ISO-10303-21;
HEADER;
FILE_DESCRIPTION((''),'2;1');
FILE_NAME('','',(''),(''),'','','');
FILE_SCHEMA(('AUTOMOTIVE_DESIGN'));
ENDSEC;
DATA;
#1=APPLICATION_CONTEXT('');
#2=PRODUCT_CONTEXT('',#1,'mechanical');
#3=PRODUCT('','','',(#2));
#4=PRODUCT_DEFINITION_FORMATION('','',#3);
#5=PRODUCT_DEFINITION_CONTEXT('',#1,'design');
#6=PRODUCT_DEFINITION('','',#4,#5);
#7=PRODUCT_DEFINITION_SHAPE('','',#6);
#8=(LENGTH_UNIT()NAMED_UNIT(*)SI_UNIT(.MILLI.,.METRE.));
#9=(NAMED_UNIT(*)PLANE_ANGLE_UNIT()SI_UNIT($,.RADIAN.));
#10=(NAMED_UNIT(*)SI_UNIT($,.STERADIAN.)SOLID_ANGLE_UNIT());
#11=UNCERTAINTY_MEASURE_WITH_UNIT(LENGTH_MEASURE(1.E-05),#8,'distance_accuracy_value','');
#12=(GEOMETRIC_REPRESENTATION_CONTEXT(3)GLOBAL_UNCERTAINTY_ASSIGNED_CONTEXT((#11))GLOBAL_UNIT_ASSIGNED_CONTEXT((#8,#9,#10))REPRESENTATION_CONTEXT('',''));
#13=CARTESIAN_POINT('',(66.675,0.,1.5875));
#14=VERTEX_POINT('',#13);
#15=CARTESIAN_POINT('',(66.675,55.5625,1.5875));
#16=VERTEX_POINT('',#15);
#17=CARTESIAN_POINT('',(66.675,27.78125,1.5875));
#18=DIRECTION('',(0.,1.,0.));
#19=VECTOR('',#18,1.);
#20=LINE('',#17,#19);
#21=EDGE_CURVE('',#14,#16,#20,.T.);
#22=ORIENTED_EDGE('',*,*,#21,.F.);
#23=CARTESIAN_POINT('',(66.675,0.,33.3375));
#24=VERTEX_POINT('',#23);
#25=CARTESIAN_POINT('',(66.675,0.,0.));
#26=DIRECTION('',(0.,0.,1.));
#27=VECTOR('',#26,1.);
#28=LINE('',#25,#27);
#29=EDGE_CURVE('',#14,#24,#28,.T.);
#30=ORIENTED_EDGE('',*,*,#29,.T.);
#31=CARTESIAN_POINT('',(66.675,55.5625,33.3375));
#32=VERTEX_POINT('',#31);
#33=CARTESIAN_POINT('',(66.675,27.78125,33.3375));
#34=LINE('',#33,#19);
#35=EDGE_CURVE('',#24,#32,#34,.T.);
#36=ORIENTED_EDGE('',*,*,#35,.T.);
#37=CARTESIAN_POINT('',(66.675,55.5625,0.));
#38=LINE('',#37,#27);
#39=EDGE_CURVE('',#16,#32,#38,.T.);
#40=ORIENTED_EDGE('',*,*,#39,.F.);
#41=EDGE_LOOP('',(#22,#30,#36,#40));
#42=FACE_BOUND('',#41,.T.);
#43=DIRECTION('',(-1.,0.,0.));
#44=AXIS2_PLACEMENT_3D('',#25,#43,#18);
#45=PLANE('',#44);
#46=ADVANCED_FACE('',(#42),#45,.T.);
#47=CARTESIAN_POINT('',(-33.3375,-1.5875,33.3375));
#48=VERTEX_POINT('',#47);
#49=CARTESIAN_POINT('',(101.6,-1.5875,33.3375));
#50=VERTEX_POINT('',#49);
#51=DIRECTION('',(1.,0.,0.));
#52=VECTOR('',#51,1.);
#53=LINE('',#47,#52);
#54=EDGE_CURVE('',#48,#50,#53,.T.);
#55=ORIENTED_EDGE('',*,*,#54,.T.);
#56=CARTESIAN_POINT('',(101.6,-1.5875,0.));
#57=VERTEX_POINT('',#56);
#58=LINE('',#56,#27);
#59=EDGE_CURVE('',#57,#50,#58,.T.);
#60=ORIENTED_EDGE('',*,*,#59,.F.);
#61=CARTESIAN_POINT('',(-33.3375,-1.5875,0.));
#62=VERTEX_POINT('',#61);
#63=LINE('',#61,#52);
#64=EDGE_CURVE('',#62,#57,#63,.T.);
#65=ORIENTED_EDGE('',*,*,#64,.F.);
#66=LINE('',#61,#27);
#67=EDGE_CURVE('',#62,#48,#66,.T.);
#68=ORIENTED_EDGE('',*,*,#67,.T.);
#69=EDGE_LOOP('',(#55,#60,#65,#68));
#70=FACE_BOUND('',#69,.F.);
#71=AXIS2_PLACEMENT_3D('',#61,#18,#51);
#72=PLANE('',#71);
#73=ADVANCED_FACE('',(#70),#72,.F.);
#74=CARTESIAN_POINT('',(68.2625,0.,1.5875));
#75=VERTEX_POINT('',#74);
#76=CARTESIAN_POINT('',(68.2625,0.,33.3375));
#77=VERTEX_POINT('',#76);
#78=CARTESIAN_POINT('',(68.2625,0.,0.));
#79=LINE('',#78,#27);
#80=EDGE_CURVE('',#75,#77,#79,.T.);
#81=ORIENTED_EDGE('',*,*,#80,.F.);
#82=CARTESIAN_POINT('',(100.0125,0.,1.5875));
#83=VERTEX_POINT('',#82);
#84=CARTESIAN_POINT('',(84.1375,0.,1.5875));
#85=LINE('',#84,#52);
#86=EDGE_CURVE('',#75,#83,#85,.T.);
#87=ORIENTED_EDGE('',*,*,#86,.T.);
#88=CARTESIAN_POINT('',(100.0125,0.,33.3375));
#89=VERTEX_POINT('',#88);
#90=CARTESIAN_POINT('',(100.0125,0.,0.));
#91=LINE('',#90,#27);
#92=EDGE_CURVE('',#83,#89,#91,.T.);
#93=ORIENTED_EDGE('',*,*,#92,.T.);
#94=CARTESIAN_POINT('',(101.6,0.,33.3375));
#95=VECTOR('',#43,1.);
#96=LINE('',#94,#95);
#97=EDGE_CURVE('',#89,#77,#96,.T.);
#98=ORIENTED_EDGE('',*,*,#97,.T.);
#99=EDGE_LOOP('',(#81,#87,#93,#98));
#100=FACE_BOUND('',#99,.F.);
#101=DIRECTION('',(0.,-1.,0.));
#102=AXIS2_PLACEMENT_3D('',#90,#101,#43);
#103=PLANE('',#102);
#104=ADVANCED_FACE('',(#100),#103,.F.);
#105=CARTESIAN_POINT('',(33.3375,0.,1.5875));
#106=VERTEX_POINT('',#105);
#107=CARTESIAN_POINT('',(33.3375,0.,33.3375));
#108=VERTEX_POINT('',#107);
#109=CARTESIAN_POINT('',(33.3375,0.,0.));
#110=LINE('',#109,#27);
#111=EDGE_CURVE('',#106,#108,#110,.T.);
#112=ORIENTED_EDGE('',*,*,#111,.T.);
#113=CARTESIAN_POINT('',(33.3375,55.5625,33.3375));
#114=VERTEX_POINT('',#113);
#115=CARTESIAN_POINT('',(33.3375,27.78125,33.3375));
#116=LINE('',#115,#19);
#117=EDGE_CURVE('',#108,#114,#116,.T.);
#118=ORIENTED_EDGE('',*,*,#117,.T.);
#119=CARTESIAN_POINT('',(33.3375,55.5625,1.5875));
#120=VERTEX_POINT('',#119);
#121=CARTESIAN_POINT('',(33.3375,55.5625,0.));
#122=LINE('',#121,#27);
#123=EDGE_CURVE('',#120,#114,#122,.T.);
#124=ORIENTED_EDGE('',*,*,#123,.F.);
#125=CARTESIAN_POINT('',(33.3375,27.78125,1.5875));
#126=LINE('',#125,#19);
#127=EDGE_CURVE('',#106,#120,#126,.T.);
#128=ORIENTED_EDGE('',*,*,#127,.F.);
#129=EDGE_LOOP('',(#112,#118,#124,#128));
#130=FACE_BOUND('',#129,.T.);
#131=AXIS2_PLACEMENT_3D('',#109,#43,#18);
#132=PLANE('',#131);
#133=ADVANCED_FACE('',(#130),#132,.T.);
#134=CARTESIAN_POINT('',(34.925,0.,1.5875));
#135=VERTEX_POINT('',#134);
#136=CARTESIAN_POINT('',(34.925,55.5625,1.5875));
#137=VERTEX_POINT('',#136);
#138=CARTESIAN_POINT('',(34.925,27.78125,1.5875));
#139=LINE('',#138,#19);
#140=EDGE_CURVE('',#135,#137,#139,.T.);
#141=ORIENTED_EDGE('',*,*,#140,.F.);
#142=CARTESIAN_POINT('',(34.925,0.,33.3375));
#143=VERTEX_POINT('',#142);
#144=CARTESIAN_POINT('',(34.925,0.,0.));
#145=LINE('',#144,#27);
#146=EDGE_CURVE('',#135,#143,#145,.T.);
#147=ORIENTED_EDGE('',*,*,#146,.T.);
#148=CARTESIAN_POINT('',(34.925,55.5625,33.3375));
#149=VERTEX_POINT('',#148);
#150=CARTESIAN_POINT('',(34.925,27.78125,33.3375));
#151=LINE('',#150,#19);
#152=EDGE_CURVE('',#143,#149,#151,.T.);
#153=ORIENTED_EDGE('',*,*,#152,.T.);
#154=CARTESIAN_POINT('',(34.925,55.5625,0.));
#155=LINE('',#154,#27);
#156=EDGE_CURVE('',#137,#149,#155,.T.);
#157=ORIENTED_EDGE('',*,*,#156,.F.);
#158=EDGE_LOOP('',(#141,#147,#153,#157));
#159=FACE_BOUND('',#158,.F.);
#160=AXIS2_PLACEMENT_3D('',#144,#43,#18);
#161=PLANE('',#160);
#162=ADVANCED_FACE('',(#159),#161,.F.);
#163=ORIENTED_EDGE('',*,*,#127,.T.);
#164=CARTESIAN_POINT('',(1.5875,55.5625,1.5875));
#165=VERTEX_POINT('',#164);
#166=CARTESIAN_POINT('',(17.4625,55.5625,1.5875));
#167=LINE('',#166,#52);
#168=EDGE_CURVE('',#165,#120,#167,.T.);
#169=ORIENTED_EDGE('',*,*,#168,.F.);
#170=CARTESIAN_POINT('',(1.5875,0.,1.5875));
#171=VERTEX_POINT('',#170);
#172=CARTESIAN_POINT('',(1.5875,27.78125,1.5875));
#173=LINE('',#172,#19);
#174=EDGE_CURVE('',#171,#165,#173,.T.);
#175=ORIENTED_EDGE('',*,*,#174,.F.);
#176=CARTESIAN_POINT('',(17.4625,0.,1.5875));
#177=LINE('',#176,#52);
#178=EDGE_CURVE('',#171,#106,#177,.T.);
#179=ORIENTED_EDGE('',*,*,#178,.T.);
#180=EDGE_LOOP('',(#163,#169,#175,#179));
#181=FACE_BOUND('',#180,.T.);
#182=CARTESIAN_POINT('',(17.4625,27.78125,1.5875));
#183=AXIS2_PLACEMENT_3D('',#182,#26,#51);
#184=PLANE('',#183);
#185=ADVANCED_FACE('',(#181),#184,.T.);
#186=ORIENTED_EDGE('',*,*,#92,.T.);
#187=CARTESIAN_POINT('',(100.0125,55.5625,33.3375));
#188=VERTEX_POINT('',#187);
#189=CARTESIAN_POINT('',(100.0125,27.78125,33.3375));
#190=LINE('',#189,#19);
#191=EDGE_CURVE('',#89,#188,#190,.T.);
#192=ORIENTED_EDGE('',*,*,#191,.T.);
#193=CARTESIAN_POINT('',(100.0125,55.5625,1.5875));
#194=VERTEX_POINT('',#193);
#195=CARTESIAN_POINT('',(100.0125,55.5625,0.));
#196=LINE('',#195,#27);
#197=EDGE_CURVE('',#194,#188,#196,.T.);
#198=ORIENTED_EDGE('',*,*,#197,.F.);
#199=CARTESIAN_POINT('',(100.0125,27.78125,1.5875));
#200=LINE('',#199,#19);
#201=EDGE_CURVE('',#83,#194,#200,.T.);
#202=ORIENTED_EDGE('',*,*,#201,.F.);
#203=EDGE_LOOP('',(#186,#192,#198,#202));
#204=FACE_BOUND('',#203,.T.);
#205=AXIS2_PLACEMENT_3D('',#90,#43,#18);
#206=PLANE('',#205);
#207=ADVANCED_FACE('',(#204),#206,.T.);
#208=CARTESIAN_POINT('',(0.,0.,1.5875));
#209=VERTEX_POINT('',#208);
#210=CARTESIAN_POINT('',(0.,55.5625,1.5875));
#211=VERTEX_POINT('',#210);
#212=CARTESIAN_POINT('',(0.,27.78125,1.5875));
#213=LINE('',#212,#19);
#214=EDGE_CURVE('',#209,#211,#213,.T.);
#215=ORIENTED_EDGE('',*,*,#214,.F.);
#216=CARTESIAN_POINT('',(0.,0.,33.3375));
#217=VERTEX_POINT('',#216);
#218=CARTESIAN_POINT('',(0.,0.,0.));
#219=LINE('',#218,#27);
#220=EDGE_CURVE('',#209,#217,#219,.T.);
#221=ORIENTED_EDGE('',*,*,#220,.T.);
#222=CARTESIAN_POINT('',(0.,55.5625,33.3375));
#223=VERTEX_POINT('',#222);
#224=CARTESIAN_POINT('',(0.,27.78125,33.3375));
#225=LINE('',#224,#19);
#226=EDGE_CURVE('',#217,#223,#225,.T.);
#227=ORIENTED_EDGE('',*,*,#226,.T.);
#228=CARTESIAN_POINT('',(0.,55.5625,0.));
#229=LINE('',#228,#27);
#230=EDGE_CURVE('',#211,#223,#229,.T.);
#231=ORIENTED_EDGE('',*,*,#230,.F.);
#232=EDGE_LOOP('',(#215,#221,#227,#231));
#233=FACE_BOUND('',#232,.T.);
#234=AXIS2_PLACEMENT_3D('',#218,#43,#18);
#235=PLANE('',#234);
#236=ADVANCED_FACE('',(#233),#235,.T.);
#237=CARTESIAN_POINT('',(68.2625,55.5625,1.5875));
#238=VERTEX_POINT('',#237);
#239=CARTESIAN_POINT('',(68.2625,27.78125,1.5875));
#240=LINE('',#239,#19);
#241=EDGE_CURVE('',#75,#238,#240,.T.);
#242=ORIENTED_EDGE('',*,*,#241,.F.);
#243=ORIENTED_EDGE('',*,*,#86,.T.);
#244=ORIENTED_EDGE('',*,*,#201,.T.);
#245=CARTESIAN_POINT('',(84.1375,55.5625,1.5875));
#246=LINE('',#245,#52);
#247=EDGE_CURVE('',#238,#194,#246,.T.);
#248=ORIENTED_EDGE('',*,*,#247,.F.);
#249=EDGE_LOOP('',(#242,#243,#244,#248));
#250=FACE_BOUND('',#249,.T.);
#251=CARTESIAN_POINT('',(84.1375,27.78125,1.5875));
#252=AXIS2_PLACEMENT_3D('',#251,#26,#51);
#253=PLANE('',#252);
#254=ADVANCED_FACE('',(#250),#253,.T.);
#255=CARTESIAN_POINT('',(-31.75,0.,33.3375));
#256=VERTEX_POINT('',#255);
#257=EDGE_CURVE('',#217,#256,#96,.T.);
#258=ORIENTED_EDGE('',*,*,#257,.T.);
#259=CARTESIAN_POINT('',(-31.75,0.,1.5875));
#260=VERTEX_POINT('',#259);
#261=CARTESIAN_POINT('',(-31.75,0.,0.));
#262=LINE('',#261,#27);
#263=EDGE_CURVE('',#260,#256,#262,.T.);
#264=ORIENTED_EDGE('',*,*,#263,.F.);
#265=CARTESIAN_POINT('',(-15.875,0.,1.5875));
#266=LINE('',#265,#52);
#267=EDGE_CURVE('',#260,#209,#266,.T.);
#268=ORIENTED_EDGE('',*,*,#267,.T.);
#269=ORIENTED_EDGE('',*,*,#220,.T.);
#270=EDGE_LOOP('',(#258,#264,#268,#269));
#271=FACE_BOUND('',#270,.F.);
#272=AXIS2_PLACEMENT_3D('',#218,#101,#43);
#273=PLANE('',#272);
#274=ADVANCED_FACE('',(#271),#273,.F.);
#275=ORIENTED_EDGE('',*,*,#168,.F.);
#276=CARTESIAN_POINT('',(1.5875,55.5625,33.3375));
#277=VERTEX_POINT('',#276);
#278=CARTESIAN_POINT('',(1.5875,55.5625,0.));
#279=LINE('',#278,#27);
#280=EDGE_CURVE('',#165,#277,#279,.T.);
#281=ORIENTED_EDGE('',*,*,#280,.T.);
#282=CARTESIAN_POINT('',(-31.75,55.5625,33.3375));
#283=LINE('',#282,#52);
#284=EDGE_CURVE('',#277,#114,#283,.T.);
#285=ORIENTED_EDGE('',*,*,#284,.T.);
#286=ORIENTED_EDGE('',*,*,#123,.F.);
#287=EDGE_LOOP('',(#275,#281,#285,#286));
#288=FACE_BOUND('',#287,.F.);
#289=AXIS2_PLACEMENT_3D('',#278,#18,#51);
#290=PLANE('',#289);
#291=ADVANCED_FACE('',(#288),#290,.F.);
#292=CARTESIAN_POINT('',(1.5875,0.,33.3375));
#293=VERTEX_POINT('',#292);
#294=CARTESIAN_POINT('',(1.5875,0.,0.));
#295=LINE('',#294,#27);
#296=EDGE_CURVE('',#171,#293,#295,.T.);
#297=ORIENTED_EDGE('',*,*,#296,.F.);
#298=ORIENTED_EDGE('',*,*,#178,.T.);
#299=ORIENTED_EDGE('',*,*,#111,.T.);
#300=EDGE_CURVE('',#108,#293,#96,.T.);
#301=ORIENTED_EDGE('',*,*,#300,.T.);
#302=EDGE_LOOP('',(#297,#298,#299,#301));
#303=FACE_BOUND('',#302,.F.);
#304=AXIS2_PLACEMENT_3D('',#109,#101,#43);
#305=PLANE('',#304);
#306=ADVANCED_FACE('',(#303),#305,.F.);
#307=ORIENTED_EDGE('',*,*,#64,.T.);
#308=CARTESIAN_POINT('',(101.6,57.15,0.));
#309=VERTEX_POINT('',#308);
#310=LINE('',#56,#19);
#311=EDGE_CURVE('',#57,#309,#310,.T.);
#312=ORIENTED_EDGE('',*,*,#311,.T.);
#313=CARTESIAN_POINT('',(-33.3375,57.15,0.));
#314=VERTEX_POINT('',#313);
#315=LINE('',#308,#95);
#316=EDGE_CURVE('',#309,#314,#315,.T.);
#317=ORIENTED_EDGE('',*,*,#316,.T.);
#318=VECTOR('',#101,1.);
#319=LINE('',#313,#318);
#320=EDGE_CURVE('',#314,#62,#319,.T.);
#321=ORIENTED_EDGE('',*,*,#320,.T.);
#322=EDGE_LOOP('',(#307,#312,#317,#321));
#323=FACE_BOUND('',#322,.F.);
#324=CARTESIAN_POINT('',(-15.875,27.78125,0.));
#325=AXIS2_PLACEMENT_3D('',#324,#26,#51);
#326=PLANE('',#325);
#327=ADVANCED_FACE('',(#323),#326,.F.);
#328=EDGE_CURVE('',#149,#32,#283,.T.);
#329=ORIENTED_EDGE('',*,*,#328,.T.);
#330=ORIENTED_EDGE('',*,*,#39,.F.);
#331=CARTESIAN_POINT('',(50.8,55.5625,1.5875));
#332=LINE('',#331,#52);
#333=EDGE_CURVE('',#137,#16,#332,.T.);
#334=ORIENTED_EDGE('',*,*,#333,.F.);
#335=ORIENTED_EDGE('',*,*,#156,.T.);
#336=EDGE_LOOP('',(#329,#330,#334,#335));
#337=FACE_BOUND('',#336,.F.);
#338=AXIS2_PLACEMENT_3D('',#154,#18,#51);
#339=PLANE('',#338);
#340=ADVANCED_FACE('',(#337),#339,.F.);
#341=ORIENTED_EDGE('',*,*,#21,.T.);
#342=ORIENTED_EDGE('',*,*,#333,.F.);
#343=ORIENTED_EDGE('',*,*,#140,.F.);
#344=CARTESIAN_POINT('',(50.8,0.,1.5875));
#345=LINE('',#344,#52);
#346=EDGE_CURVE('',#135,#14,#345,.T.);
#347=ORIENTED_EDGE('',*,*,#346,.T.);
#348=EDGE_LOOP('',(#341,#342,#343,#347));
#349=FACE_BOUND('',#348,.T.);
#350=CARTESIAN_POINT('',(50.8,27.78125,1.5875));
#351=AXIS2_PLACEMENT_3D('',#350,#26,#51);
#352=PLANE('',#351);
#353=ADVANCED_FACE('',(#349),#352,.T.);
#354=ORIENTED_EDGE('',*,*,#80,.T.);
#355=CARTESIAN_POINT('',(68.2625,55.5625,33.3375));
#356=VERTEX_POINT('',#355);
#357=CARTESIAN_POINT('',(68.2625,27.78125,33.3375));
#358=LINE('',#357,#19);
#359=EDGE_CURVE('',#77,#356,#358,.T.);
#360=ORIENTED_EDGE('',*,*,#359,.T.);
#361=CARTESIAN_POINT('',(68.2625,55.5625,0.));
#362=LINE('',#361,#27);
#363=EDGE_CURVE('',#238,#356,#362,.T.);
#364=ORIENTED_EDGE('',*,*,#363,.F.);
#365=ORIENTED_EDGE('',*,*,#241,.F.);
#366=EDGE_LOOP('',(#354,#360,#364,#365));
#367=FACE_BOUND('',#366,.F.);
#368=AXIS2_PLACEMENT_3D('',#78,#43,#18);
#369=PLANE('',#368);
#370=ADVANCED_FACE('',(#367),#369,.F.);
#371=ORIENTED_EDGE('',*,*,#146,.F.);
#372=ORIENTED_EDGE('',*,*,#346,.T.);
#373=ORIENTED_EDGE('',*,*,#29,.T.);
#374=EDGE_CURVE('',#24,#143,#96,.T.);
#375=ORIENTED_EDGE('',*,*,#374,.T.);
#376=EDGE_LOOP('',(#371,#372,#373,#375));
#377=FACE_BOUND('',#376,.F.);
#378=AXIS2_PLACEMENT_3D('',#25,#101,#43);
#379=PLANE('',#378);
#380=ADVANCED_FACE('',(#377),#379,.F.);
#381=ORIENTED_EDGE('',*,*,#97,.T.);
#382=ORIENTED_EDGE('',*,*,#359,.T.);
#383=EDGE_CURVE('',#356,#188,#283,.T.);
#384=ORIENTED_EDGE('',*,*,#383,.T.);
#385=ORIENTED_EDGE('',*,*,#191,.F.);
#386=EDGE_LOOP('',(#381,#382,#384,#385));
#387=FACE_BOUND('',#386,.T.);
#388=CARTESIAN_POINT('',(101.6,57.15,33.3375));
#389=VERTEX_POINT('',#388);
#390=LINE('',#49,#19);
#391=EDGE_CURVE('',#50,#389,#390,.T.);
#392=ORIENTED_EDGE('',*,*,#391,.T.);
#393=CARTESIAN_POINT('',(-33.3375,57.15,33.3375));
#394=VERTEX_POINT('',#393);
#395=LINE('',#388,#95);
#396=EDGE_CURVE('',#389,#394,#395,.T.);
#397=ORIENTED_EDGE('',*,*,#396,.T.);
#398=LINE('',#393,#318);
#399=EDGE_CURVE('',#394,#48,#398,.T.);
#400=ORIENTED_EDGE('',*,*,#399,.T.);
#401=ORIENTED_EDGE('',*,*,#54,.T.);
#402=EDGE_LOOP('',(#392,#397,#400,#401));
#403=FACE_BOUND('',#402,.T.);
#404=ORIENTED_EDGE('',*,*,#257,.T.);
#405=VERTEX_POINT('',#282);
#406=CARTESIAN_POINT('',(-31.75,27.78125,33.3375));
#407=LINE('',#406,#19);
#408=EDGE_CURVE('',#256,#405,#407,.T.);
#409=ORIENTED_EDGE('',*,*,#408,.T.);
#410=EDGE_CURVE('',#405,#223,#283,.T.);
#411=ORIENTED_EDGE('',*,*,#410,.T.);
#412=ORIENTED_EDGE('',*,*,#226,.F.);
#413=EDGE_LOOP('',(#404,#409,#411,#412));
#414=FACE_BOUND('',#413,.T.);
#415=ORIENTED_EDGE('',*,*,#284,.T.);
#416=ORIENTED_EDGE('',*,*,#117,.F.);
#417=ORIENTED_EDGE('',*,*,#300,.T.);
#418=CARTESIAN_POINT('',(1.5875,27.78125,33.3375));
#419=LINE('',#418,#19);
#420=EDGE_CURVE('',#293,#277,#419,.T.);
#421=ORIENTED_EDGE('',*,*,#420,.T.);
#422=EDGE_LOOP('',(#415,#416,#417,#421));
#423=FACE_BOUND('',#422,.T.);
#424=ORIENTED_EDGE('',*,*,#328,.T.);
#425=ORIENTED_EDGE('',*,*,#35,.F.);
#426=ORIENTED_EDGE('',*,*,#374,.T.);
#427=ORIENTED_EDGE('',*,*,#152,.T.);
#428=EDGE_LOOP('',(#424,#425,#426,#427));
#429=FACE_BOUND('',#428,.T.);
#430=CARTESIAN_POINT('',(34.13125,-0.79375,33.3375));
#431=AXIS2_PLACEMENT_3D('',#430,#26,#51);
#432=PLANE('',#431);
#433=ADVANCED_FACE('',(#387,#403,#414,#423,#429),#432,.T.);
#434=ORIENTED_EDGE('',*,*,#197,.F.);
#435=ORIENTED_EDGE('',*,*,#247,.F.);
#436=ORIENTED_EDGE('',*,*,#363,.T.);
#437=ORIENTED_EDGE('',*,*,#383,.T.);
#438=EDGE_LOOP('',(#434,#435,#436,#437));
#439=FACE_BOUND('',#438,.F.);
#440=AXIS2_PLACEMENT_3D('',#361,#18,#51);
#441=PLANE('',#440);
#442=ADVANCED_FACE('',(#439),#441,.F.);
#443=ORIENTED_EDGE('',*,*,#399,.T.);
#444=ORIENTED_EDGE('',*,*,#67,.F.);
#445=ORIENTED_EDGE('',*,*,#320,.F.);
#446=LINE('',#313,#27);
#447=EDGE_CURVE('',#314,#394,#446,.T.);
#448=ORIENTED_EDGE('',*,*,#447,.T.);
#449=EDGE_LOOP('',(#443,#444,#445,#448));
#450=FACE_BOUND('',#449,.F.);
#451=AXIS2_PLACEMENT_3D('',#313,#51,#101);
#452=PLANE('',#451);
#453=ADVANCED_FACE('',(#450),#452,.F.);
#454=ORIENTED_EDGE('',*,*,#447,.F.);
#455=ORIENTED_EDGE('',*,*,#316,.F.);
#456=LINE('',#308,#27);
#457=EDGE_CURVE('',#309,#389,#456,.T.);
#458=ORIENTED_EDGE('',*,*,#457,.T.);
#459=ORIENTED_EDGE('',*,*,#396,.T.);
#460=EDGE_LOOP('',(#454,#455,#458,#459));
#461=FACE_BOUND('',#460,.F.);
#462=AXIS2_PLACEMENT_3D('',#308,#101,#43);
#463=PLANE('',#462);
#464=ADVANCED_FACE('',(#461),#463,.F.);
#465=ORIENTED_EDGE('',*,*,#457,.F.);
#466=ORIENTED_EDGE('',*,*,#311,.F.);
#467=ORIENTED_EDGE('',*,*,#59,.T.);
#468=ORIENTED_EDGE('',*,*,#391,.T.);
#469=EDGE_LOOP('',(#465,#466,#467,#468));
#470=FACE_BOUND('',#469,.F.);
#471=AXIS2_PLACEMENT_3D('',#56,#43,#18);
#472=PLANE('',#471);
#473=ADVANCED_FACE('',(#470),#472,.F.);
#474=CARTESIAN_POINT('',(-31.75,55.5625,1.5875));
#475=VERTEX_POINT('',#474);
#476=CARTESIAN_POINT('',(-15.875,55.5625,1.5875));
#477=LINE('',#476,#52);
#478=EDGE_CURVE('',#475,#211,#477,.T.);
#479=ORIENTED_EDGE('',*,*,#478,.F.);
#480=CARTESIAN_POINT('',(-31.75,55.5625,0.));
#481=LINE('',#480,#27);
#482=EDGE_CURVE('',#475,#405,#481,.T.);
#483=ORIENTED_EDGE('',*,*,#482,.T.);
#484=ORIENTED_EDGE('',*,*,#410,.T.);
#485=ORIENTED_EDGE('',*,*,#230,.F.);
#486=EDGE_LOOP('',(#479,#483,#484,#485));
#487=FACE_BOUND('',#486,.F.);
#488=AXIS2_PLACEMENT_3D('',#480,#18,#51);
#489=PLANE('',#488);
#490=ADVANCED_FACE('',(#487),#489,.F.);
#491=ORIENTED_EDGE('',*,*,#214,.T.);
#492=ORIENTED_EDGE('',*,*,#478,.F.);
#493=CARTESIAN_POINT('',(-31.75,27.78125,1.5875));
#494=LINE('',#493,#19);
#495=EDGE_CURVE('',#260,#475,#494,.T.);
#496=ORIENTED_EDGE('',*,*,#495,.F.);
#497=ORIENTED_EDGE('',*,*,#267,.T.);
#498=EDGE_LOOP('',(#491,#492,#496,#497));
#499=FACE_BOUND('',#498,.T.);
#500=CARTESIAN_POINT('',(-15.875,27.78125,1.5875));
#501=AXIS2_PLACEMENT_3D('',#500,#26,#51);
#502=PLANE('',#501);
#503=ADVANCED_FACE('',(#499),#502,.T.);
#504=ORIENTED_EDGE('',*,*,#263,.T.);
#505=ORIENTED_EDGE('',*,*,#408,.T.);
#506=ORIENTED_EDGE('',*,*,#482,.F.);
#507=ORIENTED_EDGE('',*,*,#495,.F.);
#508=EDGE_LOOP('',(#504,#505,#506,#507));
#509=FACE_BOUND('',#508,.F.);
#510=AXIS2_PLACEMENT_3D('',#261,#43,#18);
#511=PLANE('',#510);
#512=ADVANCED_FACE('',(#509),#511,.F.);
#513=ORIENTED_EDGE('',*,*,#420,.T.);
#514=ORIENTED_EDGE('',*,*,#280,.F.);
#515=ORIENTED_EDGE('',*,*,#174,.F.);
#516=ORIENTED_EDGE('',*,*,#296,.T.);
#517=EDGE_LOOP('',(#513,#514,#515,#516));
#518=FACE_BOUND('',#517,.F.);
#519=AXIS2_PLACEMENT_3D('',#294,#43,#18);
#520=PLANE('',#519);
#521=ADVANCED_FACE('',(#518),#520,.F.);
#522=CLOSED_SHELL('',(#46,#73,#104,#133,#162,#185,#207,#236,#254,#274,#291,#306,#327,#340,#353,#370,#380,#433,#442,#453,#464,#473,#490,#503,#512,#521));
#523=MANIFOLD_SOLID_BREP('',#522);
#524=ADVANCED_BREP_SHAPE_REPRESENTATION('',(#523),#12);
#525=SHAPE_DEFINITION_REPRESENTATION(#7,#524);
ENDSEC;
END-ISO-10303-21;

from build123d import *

# Parameters (mm, degrees)
F0_W     = 1.5875
F0_H     = 55.5625
F1_DEPTH = 33.3375
F0_W_2   = 31.75
F2_DEPTH = 1.5875


with BuildPart() as f1:
    # F0 (on Top) → F1 (new body)
    with BuildSketch(Plane.XY):
        Polygon((1.5875, 0), (0, 0), (-31.75, 0), (-33.3375, 0), (-33.3375, -1.5875), (101.6, -1.5875), (101.6, 0), (100.0125, 0), (68.2625, 0), (66.675, 0), (34.925, 0), (33.3375, 0), align=None)
        with Locations((-32.54375, 27.78125)):
            Rectangle(F0_W, F0_H)
        Polygon((-31.75, 55.5625), (0, 55.5625), (1.5875, 55.5625), (33.3375, 55.5625), (34.925, 55.5625), (66.675, 55.5625), (68.2625, 55.5625), (100.0125, 55.5625), (101.6, 55.5625), (101.6, 57.15), (-33.3375, 57.15), (-33.3375, 55.5625), align=None)
        with Locations((100.80625, 27.78125)):
            Rectangle(F0_W, F0_H)
        with Locations((0.79375, 27.78125)):
            Rectangle(F0_W, F0_H)
        with Locations((34.13125, 27.78125)):
            Rectangle(F0_W, F0_H)
        with Locations((67.46875, 27.78125)):
            Rectangle(F0_W, F0_H)
    extrude(amount=F1_DEPTH)

    # F0 (on Top) → F2 (join)
    with BuildSketch(Plane.XY):
        with Locations((-15.875, 27.78125)):
            Rectangle(F0_W_2, F0_H)
        with Locations((17.4625, 27.78125)):
            Rectangle(F0_W_2, F0_H)
        with Locations((84.1375, 27.78125)):
            Rectangle(F0_W_2, F0_H)
        with Locations((50.8, 27.78125)):
            Rectangle(F0_W_2, F0_H)
    extrude(amount=F2_DEPTH)


solid = f1.part
